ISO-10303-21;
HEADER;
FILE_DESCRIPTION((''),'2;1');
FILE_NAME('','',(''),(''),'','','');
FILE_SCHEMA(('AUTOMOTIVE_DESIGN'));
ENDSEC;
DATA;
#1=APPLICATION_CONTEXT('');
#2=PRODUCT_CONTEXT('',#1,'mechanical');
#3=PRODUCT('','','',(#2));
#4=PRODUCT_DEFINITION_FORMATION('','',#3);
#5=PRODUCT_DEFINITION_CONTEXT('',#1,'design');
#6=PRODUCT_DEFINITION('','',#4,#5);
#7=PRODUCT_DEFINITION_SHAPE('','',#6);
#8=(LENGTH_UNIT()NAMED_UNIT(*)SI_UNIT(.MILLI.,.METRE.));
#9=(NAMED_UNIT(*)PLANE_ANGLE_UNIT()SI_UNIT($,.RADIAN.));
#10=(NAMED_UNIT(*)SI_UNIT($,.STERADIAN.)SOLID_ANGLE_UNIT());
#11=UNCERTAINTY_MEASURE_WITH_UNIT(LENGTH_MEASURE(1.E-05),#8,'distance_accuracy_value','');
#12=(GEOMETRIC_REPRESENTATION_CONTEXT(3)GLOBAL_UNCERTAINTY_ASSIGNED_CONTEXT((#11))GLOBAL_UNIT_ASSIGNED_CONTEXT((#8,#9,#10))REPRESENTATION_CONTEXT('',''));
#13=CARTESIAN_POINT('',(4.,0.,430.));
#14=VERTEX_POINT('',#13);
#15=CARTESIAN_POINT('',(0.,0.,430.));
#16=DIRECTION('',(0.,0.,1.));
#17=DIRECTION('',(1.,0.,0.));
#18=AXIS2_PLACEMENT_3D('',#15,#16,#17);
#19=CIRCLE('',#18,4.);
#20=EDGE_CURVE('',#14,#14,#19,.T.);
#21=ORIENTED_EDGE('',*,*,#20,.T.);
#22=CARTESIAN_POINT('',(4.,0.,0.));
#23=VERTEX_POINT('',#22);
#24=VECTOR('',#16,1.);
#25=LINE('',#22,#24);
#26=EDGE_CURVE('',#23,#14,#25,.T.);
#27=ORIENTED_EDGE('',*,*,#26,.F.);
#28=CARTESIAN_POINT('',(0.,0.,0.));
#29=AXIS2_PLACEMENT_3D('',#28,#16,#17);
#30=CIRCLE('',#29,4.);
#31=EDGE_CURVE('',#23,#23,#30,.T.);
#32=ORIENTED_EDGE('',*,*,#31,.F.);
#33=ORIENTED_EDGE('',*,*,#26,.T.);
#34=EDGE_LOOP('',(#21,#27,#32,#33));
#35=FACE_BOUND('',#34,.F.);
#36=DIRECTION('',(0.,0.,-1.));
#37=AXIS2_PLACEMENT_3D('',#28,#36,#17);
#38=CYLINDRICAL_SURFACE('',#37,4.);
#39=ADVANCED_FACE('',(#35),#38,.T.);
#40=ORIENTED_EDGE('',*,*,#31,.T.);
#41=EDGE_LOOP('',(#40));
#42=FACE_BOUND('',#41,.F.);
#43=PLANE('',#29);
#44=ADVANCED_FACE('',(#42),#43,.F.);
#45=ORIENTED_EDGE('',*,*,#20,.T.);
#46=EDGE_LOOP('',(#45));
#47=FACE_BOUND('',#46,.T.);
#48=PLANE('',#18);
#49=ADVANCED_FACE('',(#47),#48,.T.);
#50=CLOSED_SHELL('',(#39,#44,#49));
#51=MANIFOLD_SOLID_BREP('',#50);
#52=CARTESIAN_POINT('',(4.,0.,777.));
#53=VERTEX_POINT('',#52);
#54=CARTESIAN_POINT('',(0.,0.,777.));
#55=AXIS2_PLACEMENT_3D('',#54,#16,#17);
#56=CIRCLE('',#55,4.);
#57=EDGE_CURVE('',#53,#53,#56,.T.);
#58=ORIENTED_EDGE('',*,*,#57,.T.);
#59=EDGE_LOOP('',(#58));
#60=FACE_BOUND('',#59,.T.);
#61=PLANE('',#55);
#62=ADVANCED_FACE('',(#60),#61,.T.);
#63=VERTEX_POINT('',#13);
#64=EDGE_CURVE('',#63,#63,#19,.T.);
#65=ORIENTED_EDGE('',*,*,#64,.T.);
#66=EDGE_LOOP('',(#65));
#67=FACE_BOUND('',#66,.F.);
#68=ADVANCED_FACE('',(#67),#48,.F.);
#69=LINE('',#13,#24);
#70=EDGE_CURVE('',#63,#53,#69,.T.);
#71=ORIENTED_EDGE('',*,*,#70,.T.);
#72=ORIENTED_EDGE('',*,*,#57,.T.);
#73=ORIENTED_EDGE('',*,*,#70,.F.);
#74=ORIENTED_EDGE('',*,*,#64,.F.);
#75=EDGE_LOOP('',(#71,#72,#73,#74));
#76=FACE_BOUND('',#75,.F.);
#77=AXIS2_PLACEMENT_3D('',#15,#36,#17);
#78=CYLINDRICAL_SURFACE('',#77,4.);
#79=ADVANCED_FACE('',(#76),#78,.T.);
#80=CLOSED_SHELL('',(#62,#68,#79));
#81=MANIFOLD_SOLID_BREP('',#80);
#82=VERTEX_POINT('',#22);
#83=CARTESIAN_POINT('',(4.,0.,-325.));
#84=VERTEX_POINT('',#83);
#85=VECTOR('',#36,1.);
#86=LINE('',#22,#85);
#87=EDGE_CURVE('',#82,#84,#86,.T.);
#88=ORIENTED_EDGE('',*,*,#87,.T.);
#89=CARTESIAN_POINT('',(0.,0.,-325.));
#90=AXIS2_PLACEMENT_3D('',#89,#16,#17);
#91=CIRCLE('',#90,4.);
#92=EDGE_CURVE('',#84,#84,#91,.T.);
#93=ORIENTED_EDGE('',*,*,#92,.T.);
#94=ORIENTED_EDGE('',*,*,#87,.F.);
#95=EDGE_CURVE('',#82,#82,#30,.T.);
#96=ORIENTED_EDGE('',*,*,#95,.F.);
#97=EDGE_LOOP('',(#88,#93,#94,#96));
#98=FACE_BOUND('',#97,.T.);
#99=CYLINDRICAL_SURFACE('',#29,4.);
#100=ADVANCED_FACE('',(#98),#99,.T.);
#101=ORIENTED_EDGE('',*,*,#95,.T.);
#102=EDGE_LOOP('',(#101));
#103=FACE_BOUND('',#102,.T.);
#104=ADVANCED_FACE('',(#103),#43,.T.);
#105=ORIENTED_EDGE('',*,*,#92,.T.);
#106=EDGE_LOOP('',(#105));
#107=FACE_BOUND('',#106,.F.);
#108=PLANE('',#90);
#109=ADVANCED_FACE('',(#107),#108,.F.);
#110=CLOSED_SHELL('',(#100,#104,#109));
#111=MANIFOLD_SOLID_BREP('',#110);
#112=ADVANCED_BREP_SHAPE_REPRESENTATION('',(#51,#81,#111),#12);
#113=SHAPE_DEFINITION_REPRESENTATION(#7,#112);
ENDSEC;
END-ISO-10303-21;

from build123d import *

# Parameters (mm, degrees)
F0_R     = 4
F1_DEPTH = 430
F2_DEPTH = 347
F3_DEPTH = 325


with BuildPart() as f1:
    # F0 (on Top) → F1 (new body)
    with BuildSketch(Plane.XY):
        Circle(F0_R)
    extrude(amount=F1_DEPTH)


with BuildPart() as f2:
    # F2 (new): a face of the model
    f2_faces = [f1.part.faces().sort_by_distance(p)[0] for p in [
        (0, 0, 430),
    ]]
    extrude(f2_faces, amount=F2_DEPTH)


with BuildPart() as f3:
    # F3 (new): a face of the model
    f3_faces = [f1.part.faces().sort_by_distance(p)[0] for p in [
        (0, 0, 0),
    ]]
    extrude(f3_faces, amount=F3_DEPTH)


solid = Compound([f1.part, f2.part, f3.part])
